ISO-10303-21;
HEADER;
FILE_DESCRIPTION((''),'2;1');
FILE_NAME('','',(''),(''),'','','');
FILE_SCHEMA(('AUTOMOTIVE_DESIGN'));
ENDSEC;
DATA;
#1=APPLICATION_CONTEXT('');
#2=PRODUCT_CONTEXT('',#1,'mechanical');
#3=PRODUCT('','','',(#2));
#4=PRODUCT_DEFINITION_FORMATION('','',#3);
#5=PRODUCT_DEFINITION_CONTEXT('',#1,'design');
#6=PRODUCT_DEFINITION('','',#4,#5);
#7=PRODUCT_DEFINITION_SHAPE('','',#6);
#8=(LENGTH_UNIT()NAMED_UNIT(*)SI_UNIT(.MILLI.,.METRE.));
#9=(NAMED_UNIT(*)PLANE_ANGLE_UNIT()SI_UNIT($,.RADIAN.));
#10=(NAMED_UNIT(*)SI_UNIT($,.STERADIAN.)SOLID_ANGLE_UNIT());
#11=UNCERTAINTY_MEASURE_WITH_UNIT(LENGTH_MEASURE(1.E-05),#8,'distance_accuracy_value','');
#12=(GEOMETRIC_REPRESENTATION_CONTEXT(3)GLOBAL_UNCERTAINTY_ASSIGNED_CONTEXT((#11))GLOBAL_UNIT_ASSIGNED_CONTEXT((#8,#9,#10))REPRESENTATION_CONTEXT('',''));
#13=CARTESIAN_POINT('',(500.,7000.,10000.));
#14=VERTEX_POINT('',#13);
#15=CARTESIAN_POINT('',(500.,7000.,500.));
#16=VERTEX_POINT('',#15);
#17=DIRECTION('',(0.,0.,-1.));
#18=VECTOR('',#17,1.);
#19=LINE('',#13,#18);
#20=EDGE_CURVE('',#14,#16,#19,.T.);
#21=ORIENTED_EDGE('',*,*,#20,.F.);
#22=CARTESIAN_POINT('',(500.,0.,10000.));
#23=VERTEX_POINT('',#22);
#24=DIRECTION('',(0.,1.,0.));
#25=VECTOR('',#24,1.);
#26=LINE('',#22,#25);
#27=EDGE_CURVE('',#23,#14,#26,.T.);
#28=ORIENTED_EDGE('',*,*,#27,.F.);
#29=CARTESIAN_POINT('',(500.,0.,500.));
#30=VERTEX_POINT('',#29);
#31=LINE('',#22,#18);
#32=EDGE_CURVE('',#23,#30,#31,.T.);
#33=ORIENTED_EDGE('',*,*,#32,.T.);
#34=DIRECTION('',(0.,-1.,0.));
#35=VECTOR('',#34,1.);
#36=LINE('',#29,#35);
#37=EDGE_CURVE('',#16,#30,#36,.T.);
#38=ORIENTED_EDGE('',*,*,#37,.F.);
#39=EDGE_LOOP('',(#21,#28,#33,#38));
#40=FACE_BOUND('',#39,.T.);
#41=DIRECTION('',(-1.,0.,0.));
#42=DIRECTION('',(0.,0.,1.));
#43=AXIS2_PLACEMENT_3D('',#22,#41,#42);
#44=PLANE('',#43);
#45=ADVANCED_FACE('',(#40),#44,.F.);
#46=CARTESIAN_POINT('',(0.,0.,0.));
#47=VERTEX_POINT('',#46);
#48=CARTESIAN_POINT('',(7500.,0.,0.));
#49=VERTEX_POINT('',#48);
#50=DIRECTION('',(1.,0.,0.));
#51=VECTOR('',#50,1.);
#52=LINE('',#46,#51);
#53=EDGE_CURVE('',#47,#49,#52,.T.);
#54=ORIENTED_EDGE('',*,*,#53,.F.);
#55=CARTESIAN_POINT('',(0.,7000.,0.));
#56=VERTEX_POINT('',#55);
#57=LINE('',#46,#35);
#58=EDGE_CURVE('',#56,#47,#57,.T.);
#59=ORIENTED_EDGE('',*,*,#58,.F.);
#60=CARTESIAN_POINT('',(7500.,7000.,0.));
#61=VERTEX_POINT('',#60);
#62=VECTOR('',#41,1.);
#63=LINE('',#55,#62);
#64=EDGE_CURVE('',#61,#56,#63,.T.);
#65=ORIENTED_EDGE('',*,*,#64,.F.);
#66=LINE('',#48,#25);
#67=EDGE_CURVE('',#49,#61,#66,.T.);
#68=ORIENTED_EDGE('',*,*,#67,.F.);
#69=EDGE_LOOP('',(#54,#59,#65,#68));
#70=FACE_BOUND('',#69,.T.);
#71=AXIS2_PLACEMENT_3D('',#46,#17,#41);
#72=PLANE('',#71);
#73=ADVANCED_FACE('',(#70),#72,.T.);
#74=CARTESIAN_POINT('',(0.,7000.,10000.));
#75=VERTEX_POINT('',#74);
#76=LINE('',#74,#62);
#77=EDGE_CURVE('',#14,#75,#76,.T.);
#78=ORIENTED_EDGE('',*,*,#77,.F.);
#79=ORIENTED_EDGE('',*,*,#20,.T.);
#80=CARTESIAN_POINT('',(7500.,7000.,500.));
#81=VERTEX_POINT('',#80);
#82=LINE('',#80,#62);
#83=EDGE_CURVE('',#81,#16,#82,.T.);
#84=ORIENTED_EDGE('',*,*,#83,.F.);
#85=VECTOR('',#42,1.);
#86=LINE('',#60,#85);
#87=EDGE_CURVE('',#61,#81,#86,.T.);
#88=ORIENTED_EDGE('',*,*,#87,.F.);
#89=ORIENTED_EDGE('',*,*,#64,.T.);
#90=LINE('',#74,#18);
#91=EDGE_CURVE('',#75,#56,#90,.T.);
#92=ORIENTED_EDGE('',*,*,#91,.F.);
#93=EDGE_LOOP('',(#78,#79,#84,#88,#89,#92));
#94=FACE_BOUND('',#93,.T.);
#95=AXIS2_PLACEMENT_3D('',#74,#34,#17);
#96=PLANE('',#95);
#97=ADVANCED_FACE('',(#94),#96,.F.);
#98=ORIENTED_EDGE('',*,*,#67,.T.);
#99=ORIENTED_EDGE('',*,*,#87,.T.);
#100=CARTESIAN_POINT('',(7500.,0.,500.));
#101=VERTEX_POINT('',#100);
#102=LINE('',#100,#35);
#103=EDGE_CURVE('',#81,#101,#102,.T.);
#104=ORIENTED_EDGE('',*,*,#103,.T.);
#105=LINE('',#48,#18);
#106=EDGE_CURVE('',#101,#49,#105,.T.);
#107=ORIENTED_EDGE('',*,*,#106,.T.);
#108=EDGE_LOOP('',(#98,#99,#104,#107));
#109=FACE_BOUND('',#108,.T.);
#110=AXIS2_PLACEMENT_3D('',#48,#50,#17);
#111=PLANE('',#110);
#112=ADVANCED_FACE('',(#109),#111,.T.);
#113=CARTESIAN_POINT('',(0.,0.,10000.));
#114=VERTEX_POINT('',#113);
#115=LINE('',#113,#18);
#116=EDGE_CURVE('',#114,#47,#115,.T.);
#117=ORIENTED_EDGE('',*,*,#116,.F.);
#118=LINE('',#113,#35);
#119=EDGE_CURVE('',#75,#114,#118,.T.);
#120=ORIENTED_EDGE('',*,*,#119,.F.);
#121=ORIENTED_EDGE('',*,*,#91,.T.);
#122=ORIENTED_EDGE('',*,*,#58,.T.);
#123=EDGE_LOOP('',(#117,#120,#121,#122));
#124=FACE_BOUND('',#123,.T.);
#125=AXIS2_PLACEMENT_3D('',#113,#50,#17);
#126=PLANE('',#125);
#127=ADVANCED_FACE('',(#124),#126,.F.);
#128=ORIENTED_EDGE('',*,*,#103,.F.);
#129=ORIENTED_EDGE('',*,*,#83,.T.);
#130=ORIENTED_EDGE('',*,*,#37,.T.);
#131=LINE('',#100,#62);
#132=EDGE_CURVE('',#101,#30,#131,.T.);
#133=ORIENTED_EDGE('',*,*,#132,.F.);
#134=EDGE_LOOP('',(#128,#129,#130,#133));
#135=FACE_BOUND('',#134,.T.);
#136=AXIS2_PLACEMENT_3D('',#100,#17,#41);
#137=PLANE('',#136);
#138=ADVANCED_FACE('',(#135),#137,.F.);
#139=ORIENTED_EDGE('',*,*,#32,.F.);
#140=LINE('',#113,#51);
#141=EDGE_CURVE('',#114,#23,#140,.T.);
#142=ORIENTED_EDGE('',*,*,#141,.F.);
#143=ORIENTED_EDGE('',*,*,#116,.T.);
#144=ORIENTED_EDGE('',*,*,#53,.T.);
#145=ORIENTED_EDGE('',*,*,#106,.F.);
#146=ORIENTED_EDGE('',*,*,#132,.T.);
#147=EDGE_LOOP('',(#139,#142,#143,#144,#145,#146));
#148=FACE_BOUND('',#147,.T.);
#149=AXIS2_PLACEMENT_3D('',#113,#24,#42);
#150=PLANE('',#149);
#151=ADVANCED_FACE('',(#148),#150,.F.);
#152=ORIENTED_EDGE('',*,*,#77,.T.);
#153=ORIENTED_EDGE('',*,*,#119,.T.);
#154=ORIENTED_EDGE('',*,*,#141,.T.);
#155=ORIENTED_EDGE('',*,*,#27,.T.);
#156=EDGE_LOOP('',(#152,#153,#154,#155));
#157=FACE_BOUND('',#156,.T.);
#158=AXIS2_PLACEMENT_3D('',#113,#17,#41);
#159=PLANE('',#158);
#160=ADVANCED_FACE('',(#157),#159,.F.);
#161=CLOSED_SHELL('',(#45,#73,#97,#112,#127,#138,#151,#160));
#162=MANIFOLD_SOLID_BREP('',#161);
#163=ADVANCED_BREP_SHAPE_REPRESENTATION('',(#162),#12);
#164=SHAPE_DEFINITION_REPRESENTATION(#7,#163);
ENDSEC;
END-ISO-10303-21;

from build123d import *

# Parameters (mm, degrees)
SKETCH2_W           = 500
SKETCH2_H           = 7000
BOSS_EXTRUDE1_DEPTH = 10000
SKETCH3_W           = 500
SKETCH3_H           = 7000
BOSS_EXTRUDE2_DEPTH = 7000


with BuildPart() as part:
    # Sketch2 → Boss-Extrude1 (new body)
    with BuildSketch(Plane.XY):
        with Locations((250, 3500)):
            Rectangle(SKETCH2_W, SKETCH2_H)
    extrude(amount=BOSS_EXTRUDE1_DEPTH)

    # Sketch3 → Boss-Extrude2 (add)
    with BuildSketch(Plane(origin=(500, 0, 0), x_dir=(0, 0, -1), z_dir=(1, 0, 0))):
        with Locations((-250, 3500)):
            Rectangle(SKETCH3_W, SKETCH3_H)
    extrude(amount=BOSS_EXTRUDE2_DEPTH)


solid = part.part
